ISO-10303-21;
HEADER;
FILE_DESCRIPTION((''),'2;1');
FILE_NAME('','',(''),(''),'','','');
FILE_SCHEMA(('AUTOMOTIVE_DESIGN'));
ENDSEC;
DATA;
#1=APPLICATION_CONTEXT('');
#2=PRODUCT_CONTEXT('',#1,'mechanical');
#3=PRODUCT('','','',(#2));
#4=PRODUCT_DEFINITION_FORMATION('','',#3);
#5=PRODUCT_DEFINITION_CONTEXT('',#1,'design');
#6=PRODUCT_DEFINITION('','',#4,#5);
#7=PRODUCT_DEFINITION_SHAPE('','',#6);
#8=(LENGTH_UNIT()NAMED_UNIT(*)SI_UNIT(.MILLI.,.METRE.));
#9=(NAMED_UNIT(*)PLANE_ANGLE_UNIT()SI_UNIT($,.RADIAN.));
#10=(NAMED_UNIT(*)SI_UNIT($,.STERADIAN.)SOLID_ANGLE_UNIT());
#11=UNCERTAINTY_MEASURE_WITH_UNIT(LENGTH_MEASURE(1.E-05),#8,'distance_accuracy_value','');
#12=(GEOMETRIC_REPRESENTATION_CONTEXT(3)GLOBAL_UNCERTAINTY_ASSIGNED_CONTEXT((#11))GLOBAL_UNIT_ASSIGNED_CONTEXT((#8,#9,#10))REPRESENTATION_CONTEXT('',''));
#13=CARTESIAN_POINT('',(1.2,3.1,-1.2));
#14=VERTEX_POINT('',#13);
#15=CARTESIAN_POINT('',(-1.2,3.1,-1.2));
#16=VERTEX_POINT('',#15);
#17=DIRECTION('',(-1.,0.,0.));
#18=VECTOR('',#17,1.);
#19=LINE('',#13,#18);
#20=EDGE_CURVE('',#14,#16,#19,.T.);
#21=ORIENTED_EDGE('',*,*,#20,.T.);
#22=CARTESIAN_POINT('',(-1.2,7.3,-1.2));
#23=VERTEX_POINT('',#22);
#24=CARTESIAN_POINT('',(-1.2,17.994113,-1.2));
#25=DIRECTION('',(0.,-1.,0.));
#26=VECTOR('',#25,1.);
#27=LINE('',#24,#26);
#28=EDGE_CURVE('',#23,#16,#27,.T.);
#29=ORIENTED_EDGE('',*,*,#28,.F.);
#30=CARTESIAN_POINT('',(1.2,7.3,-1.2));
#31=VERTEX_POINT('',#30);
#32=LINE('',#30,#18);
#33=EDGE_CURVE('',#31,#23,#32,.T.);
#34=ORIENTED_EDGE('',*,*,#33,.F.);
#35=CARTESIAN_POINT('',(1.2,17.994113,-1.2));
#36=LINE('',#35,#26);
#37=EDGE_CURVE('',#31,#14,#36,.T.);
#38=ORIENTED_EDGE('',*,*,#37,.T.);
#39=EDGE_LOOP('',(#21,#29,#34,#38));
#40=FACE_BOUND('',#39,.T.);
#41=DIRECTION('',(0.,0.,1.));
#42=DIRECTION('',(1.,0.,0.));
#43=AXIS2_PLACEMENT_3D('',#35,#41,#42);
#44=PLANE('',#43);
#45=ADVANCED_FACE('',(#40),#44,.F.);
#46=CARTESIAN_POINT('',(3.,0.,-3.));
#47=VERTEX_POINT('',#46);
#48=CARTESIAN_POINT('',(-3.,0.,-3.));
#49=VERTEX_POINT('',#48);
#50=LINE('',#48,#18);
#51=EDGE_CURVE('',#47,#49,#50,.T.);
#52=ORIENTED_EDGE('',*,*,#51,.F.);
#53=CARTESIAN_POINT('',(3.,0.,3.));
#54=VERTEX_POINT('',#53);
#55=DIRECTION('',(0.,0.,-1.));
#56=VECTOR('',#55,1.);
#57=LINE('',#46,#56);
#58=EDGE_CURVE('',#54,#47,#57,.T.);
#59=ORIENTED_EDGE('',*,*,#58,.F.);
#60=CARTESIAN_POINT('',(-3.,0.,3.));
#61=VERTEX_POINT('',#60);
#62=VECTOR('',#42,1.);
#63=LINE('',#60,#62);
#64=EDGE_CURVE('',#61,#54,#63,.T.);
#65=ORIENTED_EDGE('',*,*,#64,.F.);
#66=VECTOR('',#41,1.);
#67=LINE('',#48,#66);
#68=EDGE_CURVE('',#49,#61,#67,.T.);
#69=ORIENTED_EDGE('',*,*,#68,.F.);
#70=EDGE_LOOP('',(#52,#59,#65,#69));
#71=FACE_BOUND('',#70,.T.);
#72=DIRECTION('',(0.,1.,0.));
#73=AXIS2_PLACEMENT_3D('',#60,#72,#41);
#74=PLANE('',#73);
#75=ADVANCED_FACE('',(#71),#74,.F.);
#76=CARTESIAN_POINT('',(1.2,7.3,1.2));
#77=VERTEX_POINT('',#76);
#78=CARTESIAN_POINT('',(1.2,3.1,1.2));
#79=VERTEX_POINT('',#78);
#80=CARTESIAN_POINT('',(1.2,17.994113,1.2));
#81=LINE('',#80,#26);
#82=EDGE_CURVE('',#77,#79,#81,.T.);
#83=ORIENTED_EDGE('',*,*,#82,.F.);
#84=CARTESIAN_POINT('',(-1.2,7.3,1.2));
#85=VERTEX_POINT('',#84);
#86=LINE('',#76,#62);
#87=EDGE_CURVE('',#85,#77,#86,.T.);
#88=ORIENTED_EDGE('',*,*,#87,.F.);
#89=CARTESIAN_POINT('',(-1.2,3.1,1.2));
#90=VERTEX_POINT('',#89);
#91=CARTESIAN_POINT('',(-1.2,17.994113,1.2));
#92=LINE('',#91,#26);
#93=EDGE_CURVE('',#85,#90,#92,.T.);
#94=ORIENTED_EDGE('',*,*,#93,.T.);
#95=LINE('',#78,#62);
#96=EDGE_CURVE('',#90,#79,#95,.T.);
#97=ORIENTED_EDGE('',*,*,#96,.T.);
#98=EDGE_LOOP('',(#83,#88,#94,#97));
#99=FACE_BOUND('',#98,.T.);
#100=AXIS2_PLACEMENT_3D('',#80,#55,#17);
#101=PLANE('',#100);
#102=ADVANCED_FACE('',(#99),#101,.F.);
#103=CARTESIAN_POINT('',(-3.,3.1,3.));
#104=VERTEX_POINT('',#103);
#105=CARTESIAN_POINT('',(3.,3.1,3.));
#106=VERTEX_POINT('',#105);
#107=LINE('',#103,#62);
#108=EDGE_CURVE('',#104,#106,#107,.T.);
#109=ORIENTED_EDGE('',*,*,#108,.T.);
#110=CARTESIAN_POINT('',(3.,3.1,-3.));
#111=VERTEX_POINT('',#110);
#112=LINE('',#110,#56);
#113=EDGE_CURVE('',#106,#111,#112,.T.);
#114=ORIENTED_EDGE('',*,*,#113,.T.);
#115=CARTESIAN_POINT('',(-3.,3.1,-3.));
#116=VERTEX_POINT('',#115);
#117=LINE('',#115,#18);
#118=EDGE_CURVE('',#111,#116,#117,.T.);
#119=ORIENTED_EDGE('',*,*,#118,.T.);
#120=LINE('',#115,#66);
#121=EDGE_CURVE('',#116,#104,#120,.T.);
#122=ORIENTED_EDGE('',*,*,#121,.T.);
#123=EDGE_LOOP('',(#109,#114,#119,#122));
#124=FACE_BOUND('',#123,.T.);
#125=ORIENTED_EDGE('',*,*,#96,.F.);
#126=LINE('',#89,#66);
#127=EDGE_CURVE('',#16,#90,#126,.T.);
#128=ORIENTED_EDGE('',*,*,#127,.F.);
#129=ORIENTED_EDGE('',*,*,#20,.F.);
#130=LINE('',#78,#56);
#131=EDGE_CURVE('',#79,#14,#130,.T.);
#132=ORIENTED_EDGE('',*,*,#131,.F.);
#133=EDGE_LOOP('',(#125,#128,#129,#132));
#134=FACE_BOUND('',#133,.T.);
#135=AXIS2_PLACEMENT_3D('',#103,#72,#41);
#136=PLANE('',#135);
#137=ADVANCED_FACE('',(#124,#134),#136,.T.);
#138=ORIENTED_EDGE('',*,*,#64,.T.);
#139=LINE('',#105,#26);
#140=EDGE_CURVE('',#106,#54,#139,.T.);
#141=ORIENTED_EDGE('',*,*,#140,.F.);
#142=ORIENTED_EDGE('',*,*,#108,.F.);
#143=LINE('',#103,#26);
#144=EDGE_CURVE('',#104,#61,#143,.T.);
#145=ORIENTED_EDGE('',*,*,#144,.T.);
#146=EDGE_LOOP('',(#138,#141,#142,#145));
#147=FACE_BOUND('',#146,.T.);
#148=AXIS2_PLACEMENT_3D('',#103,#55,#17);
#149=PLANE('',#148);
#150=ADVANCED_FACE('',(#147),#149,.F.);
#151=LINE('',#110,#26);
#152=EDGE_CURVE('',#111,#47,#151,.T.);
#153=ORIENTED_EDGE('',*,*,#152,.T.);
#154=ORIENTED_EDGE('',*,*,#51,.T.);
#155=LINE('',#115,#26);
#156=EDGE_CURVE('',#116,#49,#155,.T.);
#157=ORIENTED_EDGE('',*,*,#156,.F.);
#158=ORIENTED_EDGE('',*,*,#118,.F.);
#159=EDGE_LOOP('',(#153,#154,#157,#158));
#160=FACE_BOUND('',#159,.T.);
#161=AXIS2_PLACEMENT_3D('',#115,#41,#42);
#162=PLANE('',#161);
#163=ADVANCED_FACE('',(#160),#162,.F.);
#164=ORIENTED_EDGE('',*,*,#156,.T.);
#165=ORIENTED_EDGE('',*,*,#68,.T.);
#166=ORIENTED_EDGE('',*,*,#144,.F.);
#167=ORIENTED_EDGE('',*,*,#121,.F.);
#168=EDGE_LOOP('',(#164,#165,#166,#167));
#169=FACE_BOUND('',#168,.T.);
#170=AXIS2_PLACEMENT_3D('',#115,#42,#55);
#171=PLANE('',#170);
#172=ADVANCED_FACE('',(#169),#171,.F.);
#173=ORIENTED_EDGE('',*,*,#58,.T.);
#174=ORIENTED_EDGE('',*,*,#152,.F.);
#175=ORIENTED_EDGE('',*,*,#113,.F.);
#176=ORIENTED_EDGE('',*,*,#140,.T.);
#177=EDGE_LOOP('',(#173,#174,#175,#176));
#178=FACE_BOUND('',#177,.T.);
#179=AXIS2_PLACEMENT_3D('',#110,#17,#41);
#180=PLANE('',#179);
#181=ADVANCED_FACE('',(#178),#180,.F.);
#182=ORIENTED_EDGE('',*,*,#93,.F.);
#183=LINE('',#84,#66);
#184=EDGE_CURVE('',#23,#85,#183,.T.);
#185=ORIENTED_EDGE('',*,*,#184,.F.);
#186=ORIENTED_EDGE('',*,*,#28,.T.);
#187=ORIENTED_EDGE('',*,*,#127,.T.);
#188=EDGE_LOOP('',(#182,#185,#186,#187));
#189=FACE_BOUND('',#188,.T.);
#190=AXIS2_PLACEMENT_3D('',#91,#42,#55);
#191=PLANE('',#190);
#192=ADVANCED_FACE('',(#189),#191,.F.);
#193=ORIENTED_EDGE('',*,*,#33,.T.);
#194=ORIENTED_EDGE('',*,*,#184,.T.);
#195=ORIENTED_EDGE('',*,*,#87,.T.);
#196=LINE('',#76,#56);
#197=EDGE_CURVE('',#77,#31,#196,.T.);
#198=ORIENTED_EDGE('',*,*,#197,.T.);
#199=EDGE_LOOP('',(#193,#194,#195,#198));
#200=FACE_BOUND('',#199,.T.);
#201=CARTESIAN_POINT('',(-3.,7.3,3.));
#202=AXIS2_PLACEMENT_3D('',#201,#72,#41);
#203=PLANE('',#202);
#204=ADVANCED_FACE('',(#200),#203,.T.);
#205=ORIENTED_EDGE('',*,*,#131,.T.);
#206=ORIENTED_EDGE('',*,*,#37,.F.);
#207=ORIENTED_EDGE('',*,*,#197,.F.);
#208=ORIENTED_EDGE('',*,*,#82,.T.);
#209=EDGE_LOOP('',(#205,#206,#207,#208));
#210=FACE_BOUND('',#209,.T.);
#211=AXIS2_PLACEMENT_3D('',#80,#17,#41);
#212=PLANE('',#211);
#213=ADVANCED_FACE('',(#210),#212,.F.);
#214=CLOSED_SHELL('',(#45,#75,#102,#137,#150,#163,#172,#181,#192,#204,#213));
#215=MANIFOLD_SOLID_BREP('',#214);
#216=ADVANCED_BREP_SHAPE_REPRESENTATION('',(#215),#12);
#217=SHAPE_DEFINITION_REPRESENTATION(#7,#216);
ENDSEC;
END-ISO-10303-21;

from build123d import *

# Parameters (mm, degrees)
SKETCH_1_W      = 6
SKETCH_1_H      = 6
EXTRUDE_1_DEPTH = 3.1
SKETCH_2_W      = 2.4
SKETCH_2_H      = 2.4
EXTRUDE_2_DEPTH = 4.2


with BuildPart() as part:
    # 草图1 → 拉伸1 (new body)
    with BuildSketch(Plane(origin=(0, 0, 0), x_dir=(1, 0, 0), z_dir=(0, 1, 0))):
        Rectangle(SKETCH_1_W, SKETCH_1_H)
    extrude(amount=EXTRUDE_1_DEPTH)

    # 草图2 → 拉伸2 (add)
    with BuildSketch(Plane(origin=(0, 3.1, 0), x_dir=(-1, 0, 0), z_dir=(0, 1, 0))):
        Rectangle(SKETCH_2_W, SKETCH_2_H)
    extrude(amount=EXTRUDE_2_DEPTH)


solid = part.part
